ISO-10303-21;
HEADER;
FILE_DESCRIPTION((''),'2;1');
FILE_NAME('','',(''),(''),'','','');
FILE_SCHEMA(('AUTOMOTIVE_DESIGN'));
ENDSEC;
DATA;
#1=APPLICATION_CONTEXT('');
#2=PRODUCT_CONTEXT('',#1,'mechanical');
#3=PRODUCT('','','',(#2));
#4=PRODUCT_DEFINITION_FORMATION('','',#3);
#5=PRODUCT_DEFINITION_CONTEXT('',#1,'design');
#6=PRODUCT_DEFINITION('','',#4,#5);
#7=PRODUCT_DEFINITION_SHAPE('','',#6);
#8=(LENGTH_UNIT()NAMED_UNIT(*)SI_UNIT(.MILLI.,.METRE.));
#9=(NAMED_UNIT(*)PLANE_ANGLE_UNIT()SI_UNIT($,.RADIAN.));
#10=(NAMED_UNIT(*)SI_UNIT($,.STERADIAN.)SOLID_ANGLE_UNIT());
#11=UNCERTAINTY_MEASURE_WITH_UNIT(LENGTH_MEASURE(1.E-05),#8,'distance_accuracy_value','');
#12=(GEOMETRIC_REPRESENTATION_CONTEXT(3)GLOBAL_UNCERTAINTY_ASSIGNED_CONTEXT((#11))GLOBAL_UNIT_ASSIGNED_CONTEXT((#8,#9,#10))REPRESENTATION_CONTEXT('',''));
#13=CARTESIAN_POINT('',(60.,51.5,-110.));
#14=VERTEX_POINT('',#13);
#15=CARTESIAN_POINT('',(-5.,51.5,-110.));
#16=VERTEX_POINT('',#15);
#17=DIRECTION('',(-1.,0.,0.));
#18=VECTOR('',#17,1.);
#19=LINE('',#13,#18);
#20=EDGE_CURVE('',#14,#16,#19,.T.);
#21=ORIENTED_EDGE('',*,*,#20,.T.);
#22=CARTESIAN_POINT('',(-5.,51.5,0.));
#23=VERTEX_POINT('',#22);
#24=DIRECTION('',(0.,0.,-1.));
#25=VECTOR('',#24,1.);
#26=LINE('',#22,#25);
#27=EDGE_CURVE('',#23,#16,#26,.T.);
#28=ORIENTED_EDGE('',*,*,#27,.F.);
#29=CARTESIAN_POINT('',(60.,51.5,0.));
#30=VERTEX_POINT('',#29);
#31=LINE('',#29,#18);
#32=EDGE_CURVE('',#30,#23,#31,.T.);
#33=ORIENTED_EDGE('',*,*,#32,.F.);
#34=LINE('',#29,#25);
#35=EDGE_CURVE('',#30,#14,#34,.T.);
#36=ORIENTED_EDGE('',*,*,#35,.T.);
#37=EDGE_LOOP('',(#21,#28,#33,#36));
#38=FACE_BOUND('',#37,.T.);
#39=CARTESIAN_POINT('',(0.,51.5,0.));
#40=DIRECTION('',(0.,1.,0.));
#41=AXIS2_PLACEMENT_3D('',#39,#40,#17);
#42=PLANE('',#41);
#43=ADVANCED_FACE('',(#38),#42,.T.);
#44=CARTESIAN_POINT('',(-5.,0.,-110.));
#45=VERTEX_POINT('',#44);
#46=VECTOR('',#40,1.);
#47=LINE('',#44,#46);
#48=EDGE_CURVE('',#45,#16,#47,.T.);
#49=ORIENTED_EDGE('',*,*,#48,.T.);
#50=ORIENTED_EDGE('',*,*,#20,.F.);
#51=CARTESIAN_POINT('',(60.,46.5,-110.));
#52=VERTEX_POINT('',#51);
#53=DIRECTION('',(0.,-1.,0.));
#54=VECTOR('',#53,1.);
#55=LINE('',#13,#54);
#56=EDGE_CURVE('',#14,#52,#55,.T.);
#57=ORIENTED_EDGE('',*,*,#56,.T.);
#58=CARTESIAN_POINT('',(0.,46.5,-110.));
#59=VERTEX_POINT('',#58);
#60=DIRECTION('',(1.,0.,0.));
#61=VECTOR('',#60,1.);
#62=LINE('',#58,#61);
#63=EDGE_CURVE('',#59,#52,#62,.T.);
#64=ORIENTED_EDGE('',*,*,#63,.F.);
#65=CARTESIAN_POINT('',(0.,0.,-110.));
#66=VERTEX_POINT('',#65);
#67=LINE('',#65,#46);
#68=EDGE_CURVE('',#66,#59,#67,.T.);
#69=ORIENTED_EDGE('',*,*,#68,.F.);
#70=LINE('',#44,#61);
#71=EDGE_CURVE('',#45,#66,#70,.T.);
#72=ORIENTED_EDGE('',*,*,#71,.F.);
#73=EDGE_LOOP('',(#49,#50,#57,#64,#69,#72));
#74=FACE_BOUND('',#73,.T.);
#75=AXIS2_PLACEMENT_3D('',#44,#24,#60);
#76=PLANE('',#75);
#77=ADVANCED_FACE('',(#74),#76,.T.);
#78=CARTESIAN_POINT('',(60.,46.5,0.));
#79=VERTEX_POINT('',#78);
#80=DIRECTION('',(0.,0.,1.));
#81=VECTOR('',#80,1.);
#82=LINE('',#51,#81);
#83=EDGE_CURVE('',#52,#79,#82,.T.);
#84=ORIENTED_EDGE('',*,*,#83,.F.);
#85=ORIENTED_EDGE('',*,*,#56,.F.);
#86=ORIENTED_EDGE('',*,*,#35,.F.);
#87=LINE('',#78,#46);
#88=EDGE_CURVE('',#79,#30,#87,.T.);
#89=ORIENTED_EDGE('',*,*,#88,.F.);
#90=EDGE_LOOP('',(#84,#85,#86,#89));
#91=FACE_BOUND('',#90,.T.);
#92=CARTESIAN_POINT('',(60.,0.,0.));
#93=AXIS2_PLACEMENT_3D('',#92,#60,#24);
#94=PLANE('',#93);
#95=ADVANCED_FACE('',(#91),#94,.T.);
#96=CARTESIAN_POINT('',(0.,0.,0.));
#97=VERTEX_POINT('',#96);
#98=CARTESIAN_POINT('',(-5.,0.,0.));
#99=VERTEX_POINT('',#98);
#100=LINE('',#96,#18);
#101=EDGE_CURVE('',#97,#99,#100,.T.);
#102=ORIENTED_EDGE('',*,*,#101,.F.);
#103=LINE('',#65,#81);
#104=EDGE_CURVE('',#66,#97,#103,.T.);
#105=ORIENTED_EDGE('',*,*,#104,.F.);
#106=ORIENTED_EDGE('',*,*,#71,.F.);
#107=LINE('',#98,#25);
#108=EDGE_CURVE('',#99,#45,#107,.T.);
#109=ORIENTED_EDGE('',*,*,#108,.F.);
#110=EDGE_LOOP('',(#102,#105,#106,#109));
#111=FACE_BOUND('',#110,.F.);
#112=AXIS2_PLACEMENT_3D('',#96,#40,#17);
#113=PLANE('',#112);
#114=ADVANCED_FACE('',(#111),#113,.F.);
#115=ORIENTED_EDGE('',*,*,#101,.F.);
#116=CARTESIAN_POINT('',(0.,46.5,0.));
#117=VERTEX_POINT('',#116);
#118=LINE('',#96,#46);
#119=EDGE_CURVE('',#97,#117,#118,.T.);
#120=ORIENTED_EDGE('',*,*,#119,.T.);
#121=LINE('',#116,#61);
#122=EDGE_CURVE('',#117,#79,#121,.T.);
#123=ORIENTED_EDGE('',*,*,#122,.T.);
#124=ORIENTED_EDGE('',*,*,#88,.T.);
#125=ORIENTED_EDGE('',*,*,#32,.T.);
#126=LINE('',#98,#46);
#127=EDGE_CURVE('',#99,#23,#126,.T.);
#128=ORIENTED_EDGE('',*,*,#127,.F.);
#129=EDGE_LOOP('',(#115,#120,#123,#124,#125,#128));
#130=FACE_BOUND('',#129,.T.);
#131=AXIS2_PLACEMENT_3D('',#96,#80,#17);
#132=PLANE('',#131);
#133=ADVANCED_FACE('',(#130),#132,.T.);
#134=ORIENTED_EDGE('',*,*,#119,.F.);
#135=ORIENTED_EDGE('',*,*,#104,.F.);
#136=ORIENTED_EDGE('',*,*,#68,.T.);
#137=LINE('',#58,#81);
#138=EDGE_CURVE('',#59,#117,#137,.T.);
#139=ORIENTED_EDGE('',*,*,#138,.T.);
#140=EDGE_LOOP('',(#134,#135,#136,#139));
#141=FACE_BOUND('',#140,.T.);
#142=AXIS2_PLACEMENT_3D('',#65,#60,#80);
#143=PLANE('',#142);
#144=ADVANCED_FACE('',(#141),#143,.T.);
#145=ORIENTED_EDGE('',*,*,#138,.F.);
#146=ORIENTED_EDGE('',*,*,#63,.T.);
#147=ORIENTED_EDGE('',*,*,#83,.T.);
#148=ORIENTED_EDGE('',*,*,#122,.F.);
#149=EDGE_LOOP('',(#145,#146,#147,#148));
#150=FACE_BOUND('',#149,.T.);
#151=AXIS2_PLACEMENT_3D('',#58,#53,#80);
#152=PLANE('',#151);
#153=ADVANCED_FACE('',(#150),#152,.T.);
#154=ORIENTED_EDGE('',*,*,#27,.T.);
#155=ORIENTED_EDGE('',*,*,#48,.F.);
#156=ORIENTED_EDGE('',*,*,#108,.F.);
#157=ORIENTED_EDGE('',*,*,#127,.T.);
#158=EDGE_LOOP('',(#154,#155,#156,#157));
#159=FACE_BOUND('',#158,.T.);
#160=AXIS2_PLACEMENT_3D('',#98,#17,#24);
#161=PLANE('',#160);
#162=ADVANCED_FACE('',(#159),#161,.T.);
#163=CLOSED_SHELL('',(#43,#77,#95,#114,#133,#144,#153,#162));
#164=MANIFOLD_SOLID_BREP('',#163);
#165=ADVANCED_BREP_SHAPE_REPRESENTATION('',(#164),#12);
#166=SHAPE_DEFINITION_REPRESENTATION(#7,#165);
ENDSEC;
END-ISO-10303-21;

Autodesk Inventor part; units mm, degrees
ref_plane "YZ Plane" through (0, 0, 0) normal (1, 0, 0) x (0, 1, 0)
ref_plane "XZ Plane" through (0, 0, 0) normal (0, 1, 0) x (-1, 0, 0)
ref_plane "XY Plane" through (0, 0, 0) normal (0, 0, 1) x (1, 0, 0)
sketch "Sketch2" plane through (0, 0, 0) normal (0, 1, 0) x (-1, 0, 0)
  line L0 (0, 0) -> (5, 0)
  line L1 (5, 0) -> (5, -110)
  line L2 (5, -110) -> (0, -110)
  line L3 (0, -110) -> (0, 0)
  dimension "d4" = 5
  dimension "d5" = 110
extrude "Extrusion2" add sketch "Sketch2" along normal blind 51.5
sketch "Sketch3" plane through (0, 0, 0) normal (1, 0, 0) x (0, 0, -1)
  line L0 (0, 51.5) -> (110, 51.5) projected
  line L1 (0, 51.5) -> (110, 51.5)
  line L2 (110, 51.5) -> (110, 46.5)
  line L3 (110, 46.5) -> (0, 46.5)
  line L4 (0, 46.5) -> (0, 51.5)
  point P0 (0, 0)
  dimension "d8" = 110
  dimension "d9" = 5
extrude "Extrusion3" add sketch "Sketch3" along normal blind 60
properties part number "Stepper_MountBlock"
